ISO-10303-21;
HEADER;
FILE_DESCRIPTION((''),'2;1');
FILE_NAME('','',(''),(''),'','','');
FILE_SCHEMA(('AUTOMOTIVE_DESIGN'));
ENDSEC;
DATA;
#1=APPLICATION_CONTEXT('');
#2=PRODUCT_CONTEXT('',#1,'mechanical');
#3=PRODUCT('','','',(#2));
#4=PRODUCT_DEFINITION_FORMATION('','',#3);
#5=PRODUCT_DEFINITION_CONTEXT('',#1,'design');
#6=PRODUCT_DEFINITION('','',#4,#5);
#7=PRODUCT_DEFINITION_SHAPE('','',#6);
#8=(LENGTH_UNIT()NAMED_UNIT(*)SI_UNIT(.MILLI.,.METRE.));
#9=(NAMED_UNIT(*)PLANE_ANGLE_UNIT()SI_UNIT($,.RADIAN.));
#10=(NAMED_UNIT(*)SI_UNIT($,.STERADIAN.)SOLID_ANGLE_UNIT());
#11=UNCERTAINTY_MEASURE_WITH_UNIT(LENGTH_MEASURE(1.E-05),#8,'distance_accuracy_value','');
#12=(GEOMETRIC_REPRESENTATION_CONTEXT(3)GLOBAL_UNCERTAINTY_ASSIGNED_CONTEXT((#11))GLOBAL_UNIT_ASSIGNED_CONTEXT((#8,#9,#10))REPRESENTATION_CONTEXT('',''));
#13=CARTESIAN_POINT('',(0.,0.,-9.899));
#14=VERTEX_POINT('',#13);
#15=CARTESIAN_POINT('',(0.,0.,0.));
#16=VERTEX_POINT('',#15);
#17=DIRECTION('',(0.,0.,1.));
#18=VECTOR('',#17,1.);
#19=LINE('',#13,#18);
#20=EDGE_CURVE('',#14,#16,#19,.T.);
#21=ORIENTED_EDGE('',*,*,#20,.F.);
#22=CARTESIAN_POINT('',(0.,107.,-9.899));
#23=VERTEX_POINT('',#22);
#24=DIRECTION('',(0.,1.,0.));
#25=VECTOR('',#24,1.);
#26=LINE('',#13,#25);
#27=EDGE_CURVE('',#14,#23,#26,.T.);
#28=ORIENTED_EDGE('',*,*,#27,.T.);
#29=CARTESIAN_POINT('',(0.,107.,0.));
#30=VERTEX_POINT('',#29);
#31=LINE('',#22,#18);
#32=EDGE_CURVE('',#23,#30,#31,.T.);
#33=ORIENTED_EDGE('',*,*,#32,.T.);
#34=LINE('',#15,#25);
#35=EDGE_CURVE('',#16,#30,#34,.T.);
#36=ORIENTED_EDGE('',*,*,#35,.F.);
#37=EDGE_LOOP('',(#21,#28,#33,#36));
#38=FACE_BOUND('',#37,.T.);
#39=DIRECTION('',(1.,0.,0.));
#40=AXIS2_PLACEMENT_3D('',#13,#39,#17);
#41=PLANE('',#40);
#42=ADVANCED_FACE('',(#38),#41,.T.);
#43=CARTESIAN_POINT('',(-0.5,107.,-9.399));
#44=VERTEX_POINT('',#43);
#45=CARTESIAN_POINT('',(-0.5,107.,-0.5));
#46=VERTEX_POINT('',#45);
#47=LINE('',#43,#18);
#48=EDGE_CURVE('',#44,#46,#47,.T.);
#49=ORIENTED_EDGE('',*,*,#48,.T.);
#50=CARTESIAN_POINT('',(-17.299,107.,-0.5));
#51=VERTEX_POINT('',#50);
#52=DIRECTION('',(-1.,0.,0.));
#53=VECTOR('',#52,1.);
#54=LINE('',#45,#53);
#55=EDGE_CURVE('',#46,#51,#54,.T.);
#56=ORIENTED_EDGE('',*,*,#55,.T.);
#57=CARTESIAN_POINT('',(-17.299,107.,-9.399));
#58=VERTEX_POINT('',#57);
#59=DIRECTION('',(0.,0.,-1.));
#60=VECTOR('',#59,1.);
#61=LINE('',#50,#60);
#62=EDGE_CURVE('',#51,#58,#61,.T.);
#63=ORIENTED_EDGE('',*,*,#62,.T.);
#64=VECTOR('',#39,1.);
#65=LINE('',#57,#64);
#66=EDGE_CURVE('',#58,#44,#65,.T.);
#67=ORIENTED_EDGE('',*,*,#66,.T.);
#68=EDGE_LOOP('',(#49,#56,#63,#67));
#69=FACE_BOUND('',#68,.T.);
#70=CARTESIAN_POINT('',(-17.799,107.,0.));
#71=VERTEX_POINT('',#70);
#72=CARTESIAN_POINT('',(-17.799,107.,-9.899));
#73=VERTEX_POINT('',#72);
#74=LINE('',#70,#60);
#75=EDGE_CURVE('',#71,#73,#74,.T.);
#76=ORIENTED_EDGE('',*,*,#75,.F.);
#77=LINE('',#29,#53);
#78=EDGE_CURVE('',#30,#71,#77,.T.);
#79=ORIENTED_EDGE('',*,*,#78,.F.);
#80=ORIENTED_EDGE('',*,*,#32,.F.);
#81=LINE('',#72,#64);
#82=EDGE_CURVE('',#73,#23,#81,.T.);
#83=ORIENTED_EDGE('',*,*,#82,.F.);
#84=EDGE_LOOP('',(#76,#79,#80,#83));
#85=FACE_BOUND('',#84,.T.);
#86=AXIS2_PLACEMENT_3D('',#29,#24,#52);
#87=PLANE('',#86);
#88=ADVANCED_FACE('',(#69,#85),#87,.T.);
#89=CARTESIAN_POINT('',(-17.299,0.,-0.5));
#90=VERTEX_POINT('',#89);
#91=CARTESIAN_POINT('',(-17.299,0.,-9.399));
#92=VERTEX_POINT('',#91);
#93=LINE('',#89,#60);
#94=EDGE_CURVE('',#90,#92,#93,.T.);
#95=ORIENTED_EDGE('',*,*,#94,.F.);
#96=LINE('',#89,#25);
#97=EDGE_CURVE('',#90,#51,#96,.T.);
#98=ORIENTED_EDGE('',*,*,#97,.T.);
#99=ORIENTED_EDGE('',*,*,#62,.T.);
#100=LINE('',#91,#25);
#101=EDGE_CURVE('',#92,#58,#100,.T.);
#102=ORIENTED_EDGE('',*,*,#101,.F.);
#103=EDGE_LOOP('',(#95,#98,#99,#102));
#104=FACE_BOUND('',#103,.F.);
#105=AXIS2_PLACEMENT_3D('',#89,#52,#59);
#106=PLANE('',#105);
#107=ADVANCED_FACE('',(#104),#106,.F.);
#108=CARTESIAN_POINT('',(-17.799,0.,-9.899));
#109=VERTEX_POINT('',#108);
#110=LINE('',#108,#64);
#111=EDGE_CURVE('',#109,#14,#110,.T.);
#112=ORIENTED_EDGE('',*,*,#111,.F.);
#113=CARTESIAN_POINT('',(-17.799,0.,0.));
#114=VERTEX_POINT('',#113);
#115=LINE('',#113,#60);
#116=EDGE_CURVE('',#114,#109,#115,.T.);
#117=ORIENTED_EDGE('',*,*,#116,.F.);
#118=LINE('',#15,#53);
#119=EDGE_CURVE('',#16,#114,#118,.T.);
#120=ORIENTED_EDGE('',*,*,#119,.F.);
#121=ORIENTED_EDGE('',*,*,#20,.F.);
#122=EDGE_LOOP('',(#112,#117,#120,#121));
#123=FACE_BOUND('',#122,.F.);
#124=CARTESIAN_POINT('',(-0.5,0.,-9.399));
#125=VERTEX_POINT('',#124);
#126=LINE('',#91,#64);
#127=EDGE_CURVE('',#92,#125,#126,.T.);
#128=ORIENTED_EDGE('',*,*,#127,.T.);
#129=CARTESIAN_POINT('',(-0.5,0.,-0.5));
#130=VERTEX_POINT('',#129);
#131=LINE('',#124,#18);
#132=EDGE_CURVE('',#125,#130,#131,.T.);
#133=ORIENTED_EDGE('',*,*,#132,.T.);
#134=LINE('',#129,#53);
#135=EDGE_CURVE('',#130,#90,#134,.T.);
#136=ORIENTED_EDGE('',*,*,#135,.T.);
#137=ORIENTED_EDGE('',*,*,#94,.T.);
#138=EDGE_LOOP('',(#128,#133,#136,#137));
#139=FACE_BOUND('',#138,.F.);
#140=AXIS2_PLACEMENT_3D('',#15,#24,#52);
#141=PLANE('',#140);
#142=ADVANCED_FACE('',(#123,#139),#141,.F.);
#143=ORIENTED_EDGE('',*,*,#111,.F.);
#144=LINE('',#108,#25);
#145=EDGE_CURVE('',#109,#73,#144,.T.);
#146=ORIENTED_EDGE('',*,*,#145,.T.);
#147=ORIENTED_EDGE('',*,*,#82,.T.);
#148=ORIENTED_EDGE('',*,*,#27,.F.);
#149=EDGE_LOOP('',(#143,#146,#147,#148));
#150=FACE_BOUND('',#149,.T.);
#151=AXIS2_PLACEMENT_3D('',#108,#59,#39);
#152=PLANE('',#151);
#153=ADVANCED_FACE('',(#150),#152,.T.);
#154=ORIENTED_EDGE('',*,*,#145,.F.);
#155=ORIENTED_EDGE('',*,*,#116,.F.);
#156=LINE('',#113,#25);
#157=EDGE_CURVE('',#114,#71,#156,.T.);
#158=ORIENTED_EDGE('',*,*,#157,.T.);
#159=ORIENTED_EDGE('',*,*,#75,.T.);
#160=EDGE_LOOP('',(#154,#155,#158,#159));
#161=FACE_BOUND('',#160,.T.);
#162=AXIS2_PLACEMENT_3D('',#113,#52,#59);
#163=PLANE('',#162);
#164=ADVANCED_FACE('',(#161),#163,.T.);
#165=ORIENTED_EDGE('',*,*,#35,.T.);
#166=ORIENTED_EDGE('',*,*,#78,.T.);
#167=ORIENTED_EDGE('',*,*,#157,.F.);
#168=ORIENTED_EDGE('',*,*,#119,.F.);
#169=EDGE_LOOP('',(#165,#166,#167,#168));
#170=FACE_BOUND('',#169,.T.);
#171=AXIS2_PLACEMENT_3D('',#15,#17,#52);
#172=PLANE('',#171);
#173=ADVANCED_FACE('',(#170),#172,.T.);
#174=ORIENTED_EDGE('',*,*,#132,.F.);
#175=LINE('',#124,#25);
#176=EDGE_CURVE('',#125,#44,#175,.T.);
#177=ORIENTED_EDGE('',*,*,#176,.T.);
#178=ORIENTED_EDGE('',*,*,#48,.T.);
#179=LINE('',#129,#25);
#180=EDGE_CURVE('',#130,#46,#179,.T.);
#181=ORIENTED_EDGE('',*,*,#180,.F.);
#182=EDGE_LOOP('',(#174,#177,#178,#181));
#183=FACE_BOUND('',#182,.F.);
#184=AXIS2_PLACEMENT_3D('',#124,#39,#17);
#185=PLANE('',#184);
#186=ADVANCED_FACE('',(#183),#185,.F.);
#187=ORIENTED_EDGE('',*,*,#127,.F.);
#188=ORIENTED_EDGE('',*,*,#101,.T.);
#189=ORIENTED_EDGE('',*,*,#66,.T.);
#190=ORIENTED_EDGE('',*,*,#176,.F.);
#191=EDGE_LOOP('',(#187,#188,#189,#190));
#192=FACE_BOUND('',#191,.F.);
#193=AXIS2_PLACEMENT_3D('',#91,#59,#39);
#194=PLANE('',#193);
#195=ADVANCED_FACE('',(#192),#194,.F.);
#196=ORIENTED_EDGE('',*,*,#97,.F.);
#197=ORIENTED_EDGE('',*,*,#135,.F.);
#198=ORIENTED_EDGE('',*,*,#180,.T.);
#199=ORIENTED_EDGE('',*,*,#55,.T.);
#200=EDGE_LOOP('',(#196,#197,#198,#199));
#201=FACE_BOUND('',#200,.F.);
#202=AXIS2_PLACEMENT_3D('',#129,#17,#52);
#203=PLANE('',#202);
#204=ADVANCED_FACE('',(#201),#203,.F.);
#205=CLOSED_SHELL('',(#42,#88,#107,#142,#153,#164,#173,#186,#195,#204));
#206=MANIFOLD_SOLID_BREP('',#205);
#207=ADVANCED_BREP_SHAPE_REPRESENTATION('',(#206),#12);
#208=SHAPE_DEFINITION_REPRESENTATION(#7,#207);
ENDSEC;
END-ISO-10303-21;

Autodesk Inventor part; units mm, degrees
ref_plane "YZ Plane" through (0, 0, 0) normal (1, 0, 0) x (0, 1, 0)
ref_plane "XZ Plane" through (0, 0, 0) normal (0, 1, 0) x (-1, 0, 0)
ref_plane "XY Plane" through (0, 0, 0) normal (0, 0, 1) x (1, 0, 0)
sketch "Sketch1" plane through (0, 0, 0) normal (0, 1, 0) x (-1, 0, 0)
  line L0 (0, 0) -> (17.799, 0)
  line L1 (17.799, 0) -> (17.799, -9.899)
  line L2 (17.799, -9.899) -> (0, -9.899)
  line L3 (0, -9.899) -> (0, 0)
  line L4 (0.5, -0.5) -> (17.299, -0.5)
  line L5 (17.299, -0.5) -> (17.299, -9.399)
  line L6 (17.299, -9.399) -> (0.5, -9.399)
  line L7 (0.5, -9.399) -> (0.5, -0.5)
  dimension "d0" = 17.799
  dimension "d1" = 9.899
  dimension "d2" = 0.5
  dimension "d3" = 0.5
  dimension "d4" = 0.5
  dimension "d5" = 0.5
extrude "Extrusion1" add sketch "Sketch1" along normal blind 107
properties part number "WG18 waveguide" material "Copper"
